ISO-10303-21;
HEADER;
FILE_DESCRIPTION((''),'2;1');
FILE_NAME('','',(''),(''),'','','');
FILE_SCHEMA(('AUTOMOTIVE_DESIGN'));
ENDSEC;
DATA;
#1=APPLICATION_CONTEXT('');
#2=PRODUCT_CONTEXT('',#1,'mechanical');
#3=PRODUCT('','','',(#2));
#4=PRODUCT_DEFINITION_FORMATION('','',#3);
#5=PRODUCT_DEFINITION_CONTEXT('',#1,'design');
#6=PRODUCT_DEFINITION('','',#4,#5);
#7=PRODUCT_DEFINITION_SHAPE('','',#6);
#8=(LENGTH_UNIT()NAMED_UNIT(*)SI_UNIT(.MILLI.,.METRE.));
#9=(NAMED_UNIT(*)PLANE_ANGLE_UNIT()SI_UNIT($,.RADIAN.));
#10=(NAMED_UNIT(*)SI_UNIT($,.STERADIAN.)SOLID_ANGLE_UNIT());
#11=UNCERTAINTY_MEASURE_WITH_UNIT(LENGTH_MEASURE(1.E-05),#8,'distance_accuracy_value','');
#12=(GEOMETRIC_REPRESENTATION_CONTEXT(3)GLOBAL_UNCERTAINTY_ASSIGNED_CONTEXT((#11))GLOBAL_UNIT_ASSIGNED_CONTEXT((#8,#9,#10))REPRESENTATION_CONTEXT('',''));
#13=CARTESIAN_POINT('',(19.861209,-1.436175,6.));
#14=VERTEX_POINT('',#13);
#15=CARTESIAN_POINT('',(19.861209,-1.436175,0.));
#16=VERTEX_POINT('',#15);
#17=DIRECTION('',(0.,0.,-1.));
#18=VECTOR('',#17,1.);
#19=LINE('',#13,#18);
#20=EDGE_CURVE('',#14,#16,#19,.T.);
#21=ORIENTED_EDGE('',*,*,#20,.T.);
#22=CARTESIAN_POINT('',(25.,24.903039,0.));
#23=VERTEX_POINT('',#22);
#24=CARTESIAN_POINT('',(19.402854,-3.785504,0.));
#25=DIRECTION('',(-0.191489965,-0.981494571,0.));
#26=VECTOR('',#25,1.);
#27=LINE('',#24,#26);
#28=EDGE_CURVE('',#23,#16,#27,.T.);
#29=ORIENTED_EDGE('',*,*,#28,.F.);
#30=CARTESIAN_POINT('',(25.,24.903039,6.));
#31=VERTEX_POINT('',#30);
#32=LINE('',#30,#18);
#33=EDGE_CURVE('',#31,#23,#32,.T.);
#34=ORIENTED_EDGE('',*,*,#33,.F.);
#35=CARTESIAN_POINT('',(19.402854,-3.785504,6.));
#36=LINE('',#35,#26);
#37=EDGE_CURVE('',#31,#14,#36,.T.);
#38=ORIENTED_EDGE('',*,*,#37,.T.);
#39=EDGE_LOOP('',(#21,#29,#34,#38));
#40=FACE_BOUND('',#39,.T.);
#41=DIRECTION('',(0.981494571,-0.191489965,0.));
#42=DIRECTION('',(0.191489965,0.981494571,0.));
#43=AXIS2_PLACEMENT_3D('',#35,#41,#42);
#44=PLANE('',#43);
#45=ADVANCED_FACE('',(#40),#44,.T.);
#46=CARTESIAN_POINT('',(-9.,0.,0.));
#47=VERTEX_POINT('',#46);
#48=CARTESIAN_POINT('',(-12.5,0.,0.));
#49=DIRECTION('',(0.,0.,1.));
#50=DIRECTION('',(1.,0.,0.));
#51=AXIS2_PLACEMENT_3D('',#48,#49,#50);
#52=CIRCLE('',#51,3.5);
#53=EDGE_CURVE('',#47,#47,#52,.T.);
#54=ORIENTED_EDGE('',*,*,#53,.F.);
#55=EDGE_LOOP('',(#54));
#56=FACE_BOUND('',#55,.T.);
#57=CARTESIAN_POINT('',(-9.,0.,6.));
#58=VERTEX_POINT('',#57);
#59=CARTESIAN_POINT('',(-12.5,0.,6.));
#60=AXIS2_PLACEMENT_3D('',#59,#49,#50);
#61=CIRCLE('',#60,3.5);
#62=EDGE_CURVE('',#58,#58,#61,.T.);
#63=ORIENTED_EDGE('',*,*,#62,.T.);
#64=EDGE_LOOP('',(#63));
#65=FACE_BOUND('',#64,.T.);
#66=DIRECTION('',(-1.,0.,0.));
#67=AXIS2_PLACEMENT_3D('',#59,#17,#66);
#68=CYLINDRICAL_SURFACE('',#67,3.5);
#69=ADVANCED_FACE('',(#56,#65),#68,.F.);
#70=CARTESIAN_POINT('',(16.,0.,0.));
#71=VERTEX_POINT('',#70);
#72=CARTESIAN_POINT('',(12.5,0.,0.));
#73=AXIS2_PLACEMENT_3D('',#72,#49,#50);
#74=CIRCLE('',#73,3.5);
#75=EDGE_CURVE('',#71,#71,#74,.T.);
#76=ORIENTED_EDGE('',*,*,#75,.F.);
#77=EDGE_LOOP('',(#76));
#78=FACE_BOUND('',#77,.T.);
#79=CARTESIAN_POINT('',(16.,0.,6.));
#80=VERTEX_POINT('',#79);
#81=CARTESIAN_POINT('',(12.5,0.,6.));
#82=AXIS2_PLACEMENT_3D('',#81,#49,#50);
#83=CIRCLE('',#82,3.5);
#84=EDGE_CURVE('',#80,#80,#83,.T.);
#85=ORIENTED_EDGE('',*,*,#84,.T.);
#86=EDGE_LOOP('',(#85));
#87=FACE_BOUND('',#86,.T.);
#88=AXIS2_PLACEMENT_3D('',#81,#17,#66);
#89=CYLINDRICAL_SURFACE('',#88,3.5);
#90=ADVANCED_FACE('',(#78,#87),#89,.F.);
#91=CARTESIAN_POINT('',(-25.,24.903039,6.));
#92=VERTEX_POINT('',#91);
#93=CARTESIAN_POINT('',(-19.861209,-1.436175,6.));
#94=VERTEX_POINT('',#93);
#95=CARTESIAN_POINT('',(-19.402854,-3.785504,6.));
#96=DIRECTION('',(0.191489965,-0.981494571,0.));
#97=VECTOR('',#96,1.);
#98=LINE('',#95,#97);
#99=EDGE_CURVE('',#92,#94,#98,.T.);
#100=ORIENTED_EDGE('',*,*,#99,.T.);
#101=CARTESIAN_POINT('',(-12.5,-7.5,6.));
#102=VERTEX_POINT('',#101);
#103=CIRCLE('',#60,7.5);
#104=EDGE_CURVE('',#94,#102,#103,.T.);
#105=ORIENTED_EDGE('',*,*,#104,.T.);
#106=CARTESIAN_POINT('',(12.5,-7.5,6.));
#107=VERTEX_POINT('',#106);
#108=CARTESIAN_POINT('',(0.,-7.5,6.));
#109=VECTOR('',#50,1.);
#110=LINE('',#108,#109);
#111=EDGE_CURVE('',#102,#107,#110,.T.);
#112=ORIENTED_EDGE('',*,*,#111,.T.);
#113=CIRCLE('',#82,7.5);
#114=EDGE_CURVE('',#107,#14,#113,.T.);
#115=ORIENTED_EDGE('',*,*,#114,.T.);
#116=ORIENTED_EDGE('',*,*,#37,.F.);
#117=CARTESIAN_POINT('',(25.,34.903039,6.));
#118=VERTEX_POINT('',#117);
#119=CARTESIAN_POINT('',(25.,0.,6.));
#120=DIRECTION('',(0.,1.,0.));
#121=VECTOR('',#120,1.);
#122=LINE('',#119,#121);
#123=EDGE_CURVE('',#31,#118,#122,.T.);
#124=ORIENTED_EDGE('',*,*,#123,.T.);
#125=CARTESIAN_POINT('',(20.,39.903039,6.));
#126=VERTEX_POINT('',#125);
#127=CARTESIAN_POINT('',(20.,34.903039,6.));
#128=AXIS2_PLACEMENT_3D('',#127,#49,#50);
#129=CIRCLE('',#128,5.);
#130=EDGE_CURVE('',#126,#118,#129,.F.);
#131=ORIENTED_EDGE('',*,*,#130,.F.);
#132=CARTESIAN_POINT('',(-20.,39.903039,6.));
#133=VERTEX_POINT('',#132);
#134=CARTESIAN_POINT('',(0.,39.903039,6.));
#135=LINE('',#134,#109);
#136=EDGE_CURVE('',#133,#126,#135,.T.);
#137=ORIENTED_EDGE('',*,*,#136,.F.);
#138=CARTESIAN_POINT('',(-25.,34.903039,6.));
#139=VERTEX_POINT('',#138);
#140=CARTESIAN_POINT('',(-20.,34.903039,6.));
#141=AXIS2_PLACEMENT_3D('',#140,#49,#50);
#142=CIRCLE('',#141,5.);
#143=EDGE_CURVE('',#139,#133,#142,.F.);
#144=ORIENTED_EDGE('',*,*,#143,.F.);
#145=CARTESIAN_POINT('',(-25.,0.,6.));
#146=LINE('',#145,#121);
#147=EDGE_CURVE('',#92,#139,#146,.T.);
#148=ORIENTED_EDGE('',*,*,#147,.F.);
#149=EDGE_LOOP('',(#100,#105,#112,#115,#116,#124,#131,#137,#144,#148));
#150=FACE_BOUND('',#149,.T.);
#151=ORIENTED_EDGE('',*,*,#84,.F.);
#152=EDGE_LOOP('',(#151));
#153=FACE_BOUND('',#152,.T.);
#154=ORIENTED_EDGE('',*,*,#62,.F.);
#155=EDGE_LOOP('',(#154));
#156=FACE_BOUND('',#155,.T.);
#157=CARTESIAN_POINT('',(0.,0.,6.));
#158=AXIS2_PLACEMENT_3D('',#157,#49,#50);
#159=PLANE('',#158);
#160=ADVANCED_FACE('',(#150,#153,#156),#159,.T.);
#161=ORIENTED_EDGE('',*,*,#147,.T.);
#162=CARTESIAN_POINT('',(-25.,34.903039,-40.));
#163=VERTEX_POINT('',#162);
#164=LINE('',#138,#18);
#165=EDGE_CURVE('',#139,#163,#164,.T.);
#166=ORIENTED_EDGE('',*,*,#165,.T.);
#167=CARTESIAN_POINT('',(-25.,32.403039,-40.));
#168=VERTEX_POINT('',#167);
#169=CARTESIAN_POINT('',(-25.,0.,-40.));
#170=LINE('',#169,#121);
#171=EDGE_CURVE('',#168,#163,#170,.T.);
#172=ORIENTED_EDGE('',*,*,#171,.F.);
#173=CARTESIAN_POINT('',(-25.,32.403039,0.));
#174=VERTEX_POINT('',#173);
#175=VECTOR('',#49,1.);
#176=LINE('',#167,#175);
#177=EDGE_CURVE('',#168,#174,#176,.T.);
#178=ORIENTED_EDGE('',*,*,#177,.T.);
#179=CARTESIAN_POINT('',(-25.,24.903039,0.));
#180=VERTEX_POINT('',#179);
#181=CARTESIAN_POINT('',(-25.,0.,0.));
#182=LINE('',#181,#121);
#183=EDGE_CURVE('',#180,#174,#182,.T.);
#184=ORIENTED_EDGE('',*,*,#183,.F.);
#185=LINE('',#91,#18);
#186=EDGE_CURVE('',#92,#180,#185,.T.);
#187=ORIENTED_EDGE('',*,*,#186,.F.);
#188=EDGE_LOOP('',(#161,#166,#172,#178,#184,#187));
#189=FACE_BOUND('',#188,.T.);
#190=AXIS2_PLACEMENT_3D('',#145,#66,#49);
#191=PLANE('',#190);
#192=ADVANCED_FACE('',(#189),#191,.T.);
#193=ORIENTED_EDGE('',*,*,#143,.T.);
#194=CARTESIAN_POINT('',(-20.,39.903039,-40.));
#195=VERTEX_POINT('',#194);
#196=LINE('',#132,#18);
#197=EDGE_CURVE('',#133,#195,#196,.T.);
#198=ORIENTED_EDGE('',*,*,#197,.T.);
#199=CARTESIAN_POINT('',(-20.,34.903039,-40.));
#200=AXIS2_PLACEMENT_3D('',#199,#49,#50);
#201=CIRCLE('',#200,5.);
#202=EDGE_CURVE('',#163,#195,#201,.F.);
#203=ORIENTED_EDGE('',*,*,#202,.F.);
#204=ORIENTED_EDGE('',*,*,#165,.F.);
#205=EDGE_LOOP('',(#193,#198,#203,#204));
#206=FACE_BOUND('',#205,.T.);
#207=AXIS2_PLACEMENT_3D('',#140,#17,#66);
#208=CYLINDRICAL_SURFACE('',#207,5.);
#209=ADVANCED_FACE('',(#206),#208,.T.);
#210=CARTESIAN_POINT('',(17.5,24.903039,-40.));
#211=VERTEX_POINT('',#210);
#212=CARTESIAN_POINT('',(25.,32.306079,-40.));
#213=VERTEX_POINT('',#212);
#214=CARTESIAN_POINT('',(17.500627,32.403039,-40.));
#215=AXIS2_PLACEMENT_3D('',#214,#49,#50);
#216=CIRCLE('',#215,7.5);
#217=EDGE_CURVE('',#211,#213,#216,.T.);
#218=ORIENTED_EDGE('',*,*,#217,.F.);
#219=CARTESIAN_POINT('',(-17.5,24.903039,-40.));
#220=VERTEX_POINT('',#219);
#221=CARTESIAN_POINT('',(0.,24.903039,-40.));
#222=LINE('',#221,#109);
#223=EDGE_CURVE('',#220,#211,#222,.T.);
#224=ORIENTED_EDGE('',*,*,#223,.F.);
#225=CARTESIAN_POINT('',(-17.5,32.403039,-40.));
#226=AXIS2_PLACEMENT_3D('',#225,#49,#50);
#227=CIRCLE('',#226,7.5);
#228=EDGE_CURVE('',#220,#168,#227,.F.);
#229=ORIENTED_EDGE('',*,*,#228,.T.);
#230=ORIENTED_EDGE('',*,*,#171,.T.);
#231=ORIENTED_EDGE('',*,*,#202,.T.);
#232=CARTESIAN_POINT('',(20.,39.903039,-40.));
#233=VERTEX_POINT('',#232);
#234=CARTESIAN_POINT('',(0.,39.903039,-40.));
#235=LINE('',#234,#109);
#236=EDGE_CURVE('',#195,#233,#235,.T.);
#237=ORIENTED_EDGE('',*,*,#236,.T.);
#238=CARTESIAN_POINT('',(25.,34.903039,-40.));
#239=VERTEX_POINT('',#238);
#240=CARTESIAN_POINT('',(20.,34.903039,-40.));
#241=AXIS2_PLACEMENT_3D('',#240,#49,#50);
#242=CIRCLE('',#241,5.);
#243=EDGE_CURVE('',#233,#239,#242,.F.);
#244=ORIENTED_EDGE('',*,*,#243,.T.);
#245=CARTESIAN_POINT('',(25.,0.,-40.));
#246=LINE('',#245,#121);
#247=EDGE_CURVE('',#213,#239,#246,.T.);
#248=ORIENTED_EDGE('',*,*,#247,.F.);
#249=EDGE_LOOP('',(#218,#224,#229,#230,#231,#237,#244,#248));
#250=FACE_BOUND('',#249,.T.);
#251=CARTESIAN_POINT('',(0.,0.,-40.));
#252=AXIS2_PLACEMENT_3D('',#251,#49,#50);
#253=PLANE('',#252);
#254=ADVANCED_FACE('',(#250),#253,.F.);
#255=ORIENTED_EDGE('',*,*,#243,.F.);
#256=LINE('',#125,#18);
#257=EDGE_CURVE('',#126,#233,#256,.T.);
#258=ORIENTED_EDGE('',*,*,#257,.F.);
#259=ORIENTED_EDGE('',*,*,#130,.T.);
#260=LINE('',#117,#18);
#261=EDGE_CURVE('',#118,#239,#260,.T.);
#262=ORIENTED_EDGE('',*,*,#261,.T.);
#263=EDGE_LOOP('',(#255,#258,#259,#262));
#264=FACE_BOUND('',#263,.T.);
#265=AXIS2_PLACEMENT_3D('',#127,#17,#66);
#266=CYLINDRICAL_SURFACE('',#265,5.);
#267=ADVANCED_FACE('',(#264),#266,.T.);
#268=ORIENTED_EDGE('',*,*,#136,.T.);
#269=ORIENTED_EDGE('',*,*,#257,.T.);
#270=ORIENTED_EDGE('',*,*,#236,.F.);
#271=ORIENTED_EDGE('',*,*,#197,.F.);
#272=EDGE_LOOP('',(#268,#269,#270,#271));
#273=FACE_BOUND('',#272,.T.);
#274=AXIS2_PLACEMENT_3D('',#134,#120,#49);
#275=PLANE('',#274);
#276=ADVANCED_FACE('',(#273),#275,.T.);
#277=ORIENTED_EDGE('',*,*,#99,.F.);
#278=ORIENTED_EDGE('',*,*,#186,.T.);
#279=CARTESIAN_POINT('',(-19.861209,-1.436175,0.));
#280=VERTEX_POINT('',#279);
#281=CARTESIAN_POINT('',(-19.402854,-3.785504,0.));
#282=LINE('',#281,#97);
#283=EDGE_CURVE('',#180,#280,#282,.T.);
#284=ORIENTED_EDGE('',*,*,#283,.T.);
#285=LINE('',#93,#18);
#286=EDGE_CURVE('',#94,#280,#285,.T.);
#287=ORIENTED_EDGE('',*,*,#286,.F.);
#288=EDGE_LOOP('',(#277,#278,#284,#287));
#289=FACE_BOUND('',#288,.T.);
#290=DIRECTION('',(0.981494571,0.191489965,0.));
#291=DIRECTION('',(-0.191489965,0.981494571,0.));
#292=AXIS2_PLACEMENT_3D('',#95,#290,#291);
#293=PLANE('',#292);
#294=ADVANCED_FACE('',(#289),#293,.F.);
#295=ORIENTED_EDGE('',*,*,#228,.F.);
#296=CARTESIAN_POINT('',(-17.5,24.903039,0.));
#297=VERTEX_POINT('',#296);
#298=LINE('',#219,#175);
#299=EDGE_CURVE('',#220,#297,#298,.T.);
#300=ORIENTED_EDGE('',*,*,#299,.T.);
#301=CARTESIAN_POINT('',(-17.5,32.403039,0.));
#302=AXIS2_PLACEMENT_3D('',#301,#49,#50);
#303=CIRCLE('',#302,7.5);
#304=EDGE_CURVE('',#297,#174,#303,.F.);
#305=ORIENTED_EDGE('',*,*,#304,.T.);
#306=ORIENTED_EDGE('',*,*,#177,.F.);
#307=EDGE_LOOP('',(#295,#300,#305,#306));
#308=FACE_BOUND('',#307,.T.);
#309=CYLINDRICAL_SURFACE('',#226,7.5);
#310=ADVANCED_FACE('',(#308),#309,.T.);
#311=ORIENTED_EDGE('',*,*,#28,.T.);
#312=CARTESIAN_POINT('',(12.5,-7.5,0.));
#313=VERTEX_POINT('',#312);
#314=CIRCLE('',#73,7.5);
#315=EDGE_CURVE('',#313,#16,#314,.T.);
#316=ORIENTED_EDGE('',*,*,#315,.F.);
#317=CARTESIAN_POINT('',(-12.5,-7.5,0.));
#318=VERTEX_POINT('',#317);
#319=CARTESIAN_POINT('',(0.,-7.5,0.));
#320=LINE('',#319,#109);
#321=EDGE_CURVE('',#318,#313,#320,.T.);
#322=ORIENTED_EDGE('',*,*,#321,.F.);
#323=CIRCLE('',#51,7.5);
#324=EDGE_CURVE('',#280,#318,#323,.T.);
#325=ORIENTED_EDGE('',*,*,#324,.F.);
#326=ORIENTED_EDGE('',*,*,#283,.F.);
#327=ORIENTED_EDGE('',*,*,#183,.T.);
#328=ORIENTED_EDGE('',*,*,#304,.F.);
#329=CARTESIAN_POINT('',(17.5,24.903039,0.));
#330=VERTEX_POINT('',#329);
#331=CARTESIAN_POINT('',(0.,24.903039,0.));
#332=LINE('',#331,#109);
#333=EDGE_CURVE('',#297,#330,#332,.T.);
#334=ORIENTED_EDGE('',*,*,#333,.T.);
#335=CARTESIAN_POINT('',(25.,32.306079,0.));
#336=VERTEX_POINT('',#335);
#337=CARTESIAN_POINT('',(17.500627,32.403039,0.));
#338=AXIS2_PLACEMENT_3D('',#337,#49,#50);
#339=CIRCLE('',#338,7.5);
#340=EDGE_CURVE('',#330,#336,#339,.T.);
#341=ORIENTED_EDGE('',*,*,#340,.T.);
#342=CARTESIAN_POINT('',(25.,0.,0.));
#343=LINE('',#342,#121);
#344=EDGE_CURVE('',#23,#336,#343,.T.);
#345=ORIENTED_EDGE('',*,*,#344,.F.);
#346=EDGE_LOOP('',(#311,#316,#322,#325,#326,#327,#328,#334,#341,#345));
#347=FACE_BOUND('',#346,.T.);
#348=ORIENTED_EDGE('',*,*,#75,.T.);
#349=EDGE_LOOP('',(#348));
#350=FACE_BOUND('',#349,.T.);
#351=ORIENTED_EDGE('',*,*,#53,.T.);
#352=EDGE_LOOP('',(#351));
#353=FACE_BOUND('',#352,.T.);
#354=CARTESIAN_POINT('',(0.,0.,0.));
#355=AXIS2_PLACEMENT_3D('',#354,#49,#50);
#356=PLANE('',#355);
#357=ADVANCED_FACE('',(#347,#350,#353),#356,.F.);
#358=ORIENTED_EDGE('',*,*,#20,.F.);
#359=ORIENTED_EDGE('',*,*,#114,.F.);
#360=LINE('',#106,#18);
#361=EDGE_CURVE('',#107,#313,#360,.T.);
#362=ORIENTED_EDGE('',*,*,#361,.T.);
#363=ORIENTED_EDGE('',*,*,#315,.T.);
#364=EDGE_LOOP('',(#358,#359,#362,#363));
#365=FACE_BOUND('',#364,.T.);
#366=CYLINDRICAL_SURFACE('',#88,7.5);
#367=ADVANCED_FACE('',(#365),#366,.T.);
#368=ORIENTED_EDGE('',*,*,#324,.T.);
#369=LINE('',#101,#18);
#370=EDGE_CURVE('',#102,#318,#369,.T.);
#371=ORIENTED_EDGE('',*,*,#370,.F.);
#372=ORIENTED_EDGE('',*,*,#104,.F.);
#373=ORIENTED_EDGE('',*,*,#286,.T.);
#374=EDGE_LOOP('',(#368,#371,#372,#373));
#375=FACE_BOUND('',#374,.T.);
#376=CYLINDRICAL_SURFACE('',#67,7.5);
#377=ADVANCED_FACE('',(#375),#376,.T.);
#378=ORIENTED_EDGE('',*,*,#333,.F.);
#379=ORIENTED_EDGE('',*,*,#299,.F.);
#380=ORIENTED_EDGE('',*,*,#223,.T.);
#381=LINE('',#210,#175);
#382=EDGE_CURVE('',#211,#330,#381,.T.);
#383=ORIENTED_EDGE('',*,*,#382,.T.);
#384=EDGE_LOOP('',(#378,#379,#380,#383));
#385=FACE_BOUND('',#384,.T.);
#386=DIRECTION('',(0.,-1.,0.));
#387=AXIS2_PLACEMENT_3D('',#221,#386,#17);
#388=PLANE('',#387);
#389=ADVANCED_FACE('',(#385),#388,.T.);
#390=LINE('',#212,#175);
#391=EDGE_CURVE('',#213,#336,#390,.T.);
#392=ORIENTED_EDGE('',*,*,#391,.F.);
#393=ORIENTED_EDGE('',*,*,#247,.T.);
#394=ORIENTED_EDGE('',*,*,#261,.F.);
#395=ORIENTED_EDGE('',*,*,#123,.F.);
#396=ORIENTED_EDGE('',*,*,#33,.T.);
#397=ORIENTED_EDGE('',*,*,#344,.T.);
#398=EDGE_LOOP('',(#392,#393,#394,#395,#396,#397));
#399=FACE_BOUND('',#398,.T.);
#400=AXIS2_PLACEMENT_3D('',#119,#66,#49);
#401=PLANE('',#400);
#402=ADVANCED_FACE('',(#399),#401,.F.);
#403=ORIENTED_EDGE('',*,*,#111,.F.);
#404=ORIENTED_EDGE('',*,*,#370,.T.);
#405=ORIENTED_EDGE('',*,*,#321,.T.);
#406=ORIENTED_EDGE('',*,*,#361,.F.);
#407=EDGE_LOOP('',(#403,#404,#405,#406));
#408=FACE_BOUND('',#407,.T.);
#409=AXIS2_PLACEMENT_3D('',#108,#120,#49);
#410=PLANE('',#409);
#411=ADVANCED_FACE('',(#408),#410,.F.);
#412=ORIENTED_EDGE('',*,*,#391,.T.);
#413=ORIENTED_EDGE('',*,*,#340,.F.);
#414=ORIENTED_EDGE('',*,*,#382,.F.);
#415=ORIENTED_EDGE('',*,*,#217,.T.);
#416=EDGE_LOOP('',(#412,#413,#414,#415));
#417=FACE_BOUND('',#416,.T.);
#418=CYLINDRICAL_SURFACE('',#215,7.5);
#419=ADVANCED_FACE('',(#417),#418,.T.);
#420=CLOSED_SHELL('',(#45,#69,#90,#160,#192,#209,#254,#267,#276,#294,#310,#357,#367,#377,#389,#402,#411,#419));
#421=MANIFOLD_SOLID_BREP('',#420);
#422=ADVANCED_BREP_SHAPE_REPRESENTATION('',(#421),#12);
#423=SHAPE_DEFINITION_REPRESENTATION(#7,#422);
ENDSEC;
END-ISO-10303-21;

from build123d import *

# Parameters (mm, degrees)
SKETCH_1_R      = 3.5
EXTRUDE_1_DEPTH = 6
EXTRUDE_START   = -40
EXTRUDE_2_DEPTH = 40


with BuildPart() as part:
    # 草图1 → 凸台-拉伸1 (new body)
    with BuildSketch(Plane.XY):
        with BuildLine():
            ThreePointArc((-19.861209285, -1.436174734), (-17.268578902, -5.788838852), (-12.5, -7.5))
            Line((-12.5, -7.5), (12.5, -7.5))
            ThreePointArc((12.5, -7.5), (17.268578902, -5.788838852), (19.861209285, -1.436174734))
            Line((19.861209285, -1.436174734), (25, 24.903039453))
            Line((25, 24.903039453), (25, 34.903039453))
            ThreePointArc((25, 34.903039453), (23.535533906, 38.438573359), (20, 39.903039453))
            Line((20, 39.903039453), (-20, 39.903039453))
            ThreePointArc((-20, 39.903039453), (-23.535533906, 38.438573359), (-25, 34.903039453))
            Line((-25, 34.903039453), (-25, 24.903039453))
            Line((-25, 24.903039453), (-19.861209285, -1.436174734))
        make_face()
        with Locations((-12.5, 0)):
            Circle(SKETCH_1_R, mode=Mode.SUBTRACT)
        with Locations((12.5, 0)):
            Circle(SKETCH_1_R, mode=Mode.SUBTRACT)
    extrude(amount=EXTRUDE_1_DEPTH)

    # 草图1<6> → 凸台-拉伸2 (add)
    with BuildSketch(Plane.XY.offset(EXTRUDE_START)):
        with BuildLine():
            Line((-25, 34.903039453), (-25, 32.403039453))
            ThreePointArc((-25, 32.403039453), (-22.803300859, 27.099738594), (-17.5, 24.903039453))
            Line((-17.5, 24.903039453), (17.5, 24.903039453))
            ThreePointArc((17.5, 24.903039453), (22.769312351, 27.065347755), (25, 32.306078854))
            Line((25, 32.306078854), (25, 32.5))
            Line((25, 32.5), (25, 34.903039453))
            ThreePointArc((25, 34.903039453), (23.535533906, 38.438573359), (20, 39.903039453))
            Line((20, 39.903039453), (-20, 39.903039453))
            ThreePointArc((-20, 39.903039453), (-23.535533906, 38.438573359), (-25, 34.903039453))
        make_face()
    extrude(amount=EXTRUDE_2_DEPTH)


solid = part.part
